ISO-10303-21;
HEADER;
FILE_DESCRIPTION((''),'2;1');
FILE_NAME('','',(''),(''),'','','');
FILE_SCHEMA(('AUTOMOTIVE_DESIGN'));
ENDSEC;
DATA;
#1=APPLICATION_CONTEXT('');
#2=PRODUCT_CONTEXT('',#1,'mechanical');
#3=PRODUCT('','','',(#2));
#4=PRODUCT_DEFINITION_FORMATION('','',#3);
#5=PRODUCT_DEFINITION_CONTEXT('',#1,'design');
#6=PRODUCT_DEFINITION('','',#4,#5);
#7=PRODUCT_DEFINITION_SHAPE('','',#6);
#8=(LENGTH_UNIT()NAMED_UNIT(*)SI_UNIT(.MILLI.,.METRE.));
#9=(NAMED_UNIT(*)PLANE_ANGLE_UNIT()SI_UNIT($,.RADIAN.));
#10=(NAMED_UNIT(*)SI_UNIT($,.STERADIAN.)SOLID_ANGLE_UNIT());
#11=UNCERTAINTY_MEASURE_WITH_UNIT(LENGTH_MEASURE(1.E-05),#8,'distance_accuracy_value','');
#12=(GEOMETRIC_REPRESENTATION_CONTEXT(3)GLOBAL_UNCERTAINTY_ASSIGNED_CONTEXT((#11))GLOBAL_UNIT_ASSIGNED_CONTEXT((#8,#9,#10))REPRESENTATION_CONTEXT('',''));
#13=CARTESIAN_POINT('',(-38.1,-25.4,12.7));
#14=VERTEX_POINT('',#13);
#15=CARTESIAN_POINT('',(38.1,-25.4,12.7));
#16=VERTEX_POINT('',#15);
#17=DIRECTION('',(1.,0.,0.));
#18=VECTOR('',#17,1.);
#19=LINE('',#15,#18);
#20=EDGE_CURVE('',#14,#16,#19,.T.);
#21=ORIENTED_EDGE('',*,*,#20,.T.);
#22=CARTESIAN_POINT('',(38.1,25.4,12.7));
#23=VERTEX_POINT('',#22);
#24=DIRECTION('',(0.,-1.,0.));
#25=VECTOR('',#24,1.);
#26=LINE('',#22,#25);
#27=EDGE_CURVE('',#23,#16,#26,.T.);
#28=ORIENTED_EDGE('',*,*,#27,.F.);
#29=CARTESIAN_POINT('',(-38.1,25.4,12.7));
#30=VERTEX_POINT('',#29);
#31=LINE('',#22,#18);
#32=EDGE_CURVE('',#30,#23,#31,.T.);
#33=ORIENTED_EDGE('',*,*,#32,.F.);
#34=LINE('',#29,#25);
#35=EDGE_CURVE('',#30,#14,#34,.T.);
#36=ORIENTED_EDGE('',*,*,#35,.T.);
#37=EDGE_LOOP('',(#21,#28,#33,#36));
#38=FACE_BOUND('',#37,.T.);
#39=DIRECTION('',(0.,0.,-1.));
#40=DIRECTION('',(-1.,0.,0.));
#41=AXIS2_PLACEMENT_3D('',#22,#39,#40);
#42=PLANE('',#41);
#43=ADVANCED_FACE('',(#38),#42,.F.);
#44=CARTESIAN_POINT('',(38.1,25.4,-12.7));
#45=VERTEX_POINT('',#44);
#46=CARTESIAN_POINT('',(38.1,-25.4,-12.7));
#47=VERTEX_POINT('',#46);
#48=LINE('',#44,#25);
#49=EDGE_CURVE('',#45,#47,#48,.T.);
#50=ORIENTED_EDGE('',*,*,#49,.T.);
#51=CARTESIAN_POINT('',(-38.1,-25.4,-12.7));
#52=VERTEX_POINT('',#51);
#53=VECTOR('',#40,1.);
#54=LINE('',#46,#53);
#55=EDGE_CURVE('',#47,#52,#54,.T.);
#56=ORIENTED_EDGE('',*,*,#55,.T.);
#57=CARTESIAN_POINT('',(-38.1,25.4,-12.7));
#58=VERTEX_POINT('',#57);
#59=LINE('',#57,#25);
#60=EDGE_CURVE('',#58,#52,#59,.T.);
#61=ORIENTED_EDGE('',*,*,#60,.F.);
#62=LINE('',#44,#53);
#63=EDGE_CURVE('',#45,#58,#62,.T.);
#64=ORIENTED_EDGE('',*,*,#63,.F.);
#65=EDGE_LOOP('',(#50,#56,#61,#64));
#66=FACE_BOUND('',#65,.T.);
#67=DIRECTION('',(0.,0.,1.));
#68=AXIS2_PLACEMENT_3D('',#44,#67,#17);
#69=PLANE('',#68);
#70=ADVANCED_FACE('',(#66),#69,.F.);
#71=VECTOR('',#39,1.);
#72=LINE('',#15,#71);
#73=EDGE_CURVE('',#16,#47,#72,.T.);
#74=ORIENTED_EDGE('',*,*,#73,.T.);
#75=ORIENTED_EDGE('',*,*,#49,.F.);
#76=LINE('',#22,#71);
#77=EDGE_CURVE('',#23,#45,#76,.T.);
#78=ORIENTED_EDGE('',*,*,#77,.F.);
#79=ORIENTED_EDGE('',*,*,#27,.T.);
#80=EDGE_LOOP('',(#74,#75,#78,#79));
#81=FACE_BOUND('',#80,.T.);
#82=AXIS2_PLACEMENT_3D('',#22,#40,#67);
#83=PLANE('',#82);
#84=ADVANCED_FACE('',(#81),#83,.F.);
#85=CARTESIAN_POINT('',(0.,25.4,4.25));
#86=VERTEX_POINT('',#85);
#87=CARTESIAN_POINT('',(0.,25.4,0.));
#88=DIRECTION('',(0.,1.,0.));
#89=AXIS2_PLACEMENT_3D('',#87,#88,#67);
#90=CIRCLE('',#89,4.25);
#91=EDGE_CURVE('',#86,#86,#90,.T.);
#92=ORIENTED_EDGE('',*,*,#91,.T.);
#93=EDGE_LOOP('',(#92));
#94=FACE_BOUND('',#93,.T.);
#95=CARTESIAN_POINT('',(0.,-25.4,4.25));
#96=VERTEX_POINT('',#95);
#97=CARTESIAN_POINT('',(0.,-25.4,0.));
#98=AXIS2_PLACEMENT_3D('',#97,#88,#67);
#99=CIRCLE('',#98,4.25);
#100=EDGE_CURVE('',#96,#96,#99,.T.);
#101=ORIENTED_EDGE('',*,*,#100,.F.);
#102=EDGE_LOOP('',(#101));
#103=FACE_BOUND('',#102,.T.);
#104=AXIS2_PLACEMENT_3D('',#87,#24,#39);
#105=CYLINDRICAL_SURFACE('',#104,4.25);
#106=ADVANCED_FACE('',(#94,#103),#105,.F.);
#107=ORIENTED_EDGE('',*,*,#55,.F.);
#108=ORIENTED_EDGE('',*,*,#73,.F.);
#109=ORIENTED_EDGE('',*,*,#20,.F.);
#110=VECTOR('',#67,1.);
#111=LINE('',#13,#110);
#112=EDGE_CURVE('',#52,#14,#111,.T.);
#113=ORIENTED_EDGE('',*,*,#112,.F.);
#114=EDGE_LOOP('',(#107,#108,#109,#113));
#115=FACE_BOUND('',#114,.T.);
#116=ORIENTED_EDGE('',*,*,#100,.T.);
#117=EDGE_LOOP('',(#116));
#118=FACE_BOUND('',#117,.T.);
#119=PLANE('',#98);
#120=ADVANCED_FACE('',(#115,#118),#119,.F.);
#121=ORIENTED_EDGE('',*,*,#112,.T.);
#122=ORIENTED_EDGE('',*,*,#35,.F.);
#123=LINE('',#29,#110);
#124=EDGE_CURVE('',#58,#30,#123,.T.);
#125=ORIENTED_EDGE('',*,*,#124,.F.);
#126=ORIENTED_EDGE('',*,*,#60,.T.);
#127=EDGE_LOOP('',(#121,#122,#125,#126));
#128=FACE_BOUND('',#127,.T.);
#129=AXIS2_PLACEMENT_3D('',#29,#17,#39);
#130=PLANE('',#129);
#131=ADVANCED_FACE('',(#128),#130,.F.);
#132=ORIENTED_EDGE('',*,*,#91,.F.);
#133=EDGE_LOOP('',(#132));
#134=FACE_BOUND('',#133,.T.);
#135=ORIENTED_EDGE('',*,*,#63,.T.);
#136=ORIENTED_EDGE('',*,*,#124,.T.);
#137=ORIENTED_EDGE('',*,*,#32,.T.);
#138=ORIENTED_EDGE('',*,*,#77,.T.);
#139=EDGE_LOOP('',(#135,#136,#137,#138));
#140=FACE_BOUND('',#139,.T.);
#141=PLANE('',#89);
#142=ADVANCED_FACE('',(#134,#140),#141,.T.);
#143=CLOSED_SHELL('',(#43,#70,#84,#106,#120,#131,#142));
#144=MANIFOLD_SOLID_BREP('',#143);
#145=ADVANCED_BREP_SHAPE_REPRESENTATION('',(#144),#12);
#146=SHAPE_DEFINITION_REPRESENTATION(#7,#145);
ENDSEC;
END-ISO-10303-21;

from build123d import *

# Parameters (mm, degrees)
SKETCH1_W           = 76.2
SKETCH1_H           = 25.4
SKETCH1_R           = 4.25
BOSS_EXTRUDE1_DEPTH = 25.4


with BuildPart() as part:
    # Sketch1 → Boss-Extrude1 (new, symmetric)
    with BuildSketch(Plane(origin=(0, 0, 0), x_dir=(1, 0, 0), z_dir=(0, 1, 0))):
        Rectangle(SKETCH1_W, SKETCH1_H)
        with Locations(Location((0, 0, 0), (0, 0, 270))):
            Circle(SKETCH1_R, mode=Mode.SUBTRACT)
    extrude(amount=BOSS_EXTRUDE1_DEPTH, both=True)


solid = part.part
